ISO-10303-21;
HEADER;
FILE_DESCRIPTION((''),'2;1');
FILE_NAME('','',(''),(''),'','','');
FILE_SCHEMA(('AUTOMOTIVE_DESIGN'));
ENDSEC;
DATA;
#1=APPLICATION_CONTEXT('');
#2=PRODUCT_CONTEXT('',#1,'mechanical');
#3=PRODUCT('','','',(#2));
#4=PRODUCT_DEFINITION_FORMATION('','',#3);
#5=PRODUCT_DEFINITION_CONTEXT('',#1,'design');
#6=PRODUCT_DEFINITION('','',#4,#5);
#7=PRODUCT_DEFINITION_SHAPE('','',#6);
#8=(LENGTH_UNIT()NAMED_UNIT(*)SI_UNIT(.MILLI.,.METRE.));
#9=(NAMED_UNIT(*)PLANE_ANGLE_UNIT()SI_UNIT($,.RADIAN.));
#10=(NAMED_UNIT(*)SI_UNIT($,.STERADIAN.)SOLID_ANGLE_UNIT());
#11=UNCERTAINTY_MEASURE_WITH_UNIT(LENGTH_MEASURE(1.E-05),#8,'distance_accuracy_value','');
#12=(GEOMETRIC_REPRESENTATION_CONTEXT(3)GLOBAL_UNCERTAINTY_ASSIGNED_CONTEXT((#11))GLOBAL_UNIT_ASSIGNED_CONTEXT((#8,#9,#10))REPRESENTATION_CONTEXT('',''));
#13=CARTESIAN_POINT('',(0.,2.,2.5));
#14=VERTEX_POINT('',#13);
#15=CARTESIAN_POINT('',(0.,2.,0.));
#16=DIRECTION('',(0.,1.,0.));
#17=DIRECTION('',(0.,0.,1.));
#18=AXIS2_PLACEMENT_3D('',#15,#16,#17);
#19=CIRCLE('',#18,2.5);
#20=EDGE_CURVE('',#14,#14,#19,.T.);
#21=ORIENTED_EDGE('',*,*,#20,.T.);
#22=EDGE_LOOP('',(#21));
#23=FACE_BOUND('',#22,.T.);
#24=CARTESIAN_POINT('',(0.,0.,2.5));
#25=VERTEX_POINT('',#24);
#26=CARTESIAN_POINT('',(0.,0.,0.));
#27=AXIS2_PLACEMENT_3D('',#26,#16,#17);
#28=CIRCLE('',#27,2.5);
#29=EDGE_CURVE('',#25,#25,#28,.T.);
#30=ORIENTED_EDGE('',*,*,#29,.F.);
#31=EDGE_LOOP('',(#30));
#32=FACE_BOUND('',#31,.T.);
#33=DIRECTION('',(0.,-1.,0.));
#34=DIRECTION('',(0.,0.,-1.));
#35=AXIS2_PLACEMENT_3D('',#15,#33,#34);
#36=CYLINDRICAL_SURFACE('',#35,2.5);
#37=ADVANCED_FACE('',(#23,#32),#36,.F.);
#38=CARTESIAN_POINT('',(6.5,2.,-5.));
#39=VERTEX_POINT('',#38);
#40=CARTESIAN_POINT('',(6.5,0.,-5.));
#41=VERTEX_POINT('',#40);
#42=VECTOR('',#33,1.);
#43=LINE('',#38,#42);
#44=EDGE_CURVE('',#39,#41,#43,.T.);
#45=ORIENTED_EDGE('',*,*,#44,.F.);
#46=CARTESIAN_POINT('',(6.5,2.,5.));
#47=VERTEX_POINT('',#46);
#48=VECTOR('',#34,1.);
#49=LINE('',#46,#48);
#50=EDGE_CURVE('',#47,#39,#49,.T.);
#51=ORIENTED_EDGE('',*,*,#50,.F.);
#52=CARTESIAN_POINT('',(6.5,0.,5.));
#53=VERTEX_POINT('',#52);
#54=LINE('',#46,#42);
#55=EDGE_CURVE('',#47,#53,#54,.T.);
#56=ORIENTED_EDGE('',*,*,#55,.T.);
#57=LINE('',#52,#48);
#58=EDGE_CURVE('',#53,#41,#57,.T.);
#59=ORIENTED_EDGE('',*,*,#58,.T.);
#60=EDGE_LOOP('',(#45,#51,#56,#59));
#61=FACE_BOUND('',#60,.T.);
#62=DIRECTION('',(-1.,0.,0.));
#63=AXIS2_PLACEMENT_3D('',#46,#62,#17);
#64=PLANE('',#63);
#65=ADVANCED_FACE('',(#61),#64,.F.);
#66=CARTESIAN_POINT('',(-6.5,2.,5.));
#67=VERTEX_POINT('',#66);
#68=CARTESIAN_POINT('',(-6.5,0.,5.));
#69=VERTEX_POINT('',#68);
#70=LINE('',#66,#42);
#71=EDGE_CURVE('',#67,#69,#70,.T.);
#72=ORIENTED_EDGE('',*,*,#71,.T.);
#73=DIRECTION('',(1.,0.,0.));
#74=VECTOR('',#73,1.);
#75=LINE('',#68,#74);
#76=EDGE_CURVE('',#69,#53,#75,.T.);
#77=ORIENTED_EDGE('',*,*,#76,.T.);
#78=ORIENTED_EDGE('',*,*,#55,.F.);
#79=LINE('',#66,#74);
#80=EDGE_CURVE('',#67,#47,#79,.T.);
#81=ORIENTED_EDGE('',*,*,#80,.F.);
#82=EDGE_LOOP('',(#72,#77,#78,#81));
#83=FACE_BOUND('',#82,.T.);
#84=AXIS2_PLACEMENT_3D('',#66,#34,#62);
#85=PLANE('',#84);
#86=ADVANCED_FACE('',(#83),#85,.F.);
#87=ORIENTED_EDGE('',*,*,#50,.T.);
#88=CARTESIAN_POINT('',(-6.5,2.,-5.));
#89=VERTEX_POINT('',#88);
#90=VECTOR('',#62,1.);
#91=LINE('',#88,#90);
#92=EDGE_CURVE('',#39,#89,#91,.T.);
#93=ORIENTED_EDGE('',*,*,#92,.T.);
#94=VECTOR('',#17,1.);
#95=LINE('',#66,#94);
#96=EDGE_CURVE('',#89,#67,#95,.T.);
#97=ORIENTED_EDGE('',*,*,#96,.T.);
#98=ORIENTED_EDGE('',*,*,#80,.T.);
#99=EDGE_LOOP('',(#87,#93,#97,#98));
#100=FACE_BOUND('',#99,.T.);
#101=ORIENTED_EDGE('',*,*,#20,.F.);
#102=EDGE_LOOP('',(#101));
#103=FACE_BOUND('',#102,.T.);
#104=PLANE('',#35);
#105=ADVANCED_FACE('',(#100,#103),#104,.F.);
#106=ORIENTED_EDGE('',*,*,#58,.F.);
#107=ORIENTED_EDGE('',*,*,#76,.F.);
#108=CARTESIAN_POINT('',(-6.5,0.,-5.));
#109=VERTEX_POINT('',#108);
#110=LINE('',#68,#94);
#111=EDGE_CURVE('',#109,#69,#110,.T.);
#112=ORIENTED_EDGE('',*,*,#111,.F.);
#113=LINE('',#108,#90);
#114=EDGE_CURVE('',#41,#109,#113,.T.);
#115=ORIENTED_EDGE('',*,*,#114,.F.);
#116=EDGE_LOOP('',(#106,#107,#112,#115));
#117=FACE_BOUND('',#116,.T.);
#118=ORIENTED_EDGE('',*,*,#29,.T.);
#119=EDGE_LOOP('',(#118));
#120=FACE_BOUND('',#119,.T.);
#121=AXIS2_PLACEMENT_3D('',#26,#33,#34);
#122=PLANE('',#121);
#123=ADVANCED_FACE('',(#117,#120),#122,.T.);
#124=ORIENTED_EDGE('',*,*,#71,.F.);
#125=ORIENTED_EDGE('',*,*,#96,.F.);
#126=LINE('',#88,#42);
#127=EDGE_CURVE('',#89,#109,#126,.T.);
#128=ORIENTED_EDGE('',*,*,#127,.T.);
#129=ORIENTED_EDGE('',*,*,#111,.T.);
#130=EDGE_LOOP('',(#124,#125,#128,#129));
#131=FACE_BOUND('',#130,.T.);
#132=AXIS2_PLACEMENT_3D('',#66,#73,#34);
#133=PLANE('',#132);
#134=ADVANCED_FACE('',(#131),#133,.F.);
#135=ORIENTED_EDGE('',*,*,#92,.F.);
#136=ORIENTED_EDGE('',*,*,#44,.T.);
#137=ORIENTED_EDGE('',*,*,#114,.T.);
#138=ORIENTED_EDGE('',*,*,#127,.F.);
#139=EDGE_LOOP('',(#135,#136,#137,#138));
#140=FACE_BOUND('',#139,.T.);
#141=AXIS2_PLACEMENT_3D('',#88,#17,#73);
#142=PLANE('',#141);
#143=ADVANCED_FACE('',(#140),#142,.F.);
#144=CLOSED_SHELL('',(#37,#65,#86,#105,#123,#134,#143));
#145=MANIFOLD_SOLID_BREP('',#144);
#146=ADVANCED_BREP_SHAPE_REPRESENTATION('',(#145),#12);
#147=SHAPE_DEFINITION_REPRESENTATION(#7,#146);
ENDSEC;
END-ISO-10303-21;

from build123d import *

# Parameters (mm, degrees)
CROQUIS1_W              = 13
CROQUIS1_H              = 10
CROQUIS1_R              = 2.5
SALIENTE_EXTRUIR1_DEPTH = 2


with BuildPart() as part:
    # Croquis1 → Saliente-Extruir1 (new body)
    with BuildSketch(Plane(origin=(0, 0, 0), x_dir=(1, 0, 0), z_dir=(0, 1, 0))):
        Rectangle(CROQUIS1_W, CROQUIS1_H)
        Circle(CROQUIS1_R, mode=Mode.SUBTRACT)
    extrude(amount=SALIENTE_EXTRUIR1_DEPTH)


solid = part.part
